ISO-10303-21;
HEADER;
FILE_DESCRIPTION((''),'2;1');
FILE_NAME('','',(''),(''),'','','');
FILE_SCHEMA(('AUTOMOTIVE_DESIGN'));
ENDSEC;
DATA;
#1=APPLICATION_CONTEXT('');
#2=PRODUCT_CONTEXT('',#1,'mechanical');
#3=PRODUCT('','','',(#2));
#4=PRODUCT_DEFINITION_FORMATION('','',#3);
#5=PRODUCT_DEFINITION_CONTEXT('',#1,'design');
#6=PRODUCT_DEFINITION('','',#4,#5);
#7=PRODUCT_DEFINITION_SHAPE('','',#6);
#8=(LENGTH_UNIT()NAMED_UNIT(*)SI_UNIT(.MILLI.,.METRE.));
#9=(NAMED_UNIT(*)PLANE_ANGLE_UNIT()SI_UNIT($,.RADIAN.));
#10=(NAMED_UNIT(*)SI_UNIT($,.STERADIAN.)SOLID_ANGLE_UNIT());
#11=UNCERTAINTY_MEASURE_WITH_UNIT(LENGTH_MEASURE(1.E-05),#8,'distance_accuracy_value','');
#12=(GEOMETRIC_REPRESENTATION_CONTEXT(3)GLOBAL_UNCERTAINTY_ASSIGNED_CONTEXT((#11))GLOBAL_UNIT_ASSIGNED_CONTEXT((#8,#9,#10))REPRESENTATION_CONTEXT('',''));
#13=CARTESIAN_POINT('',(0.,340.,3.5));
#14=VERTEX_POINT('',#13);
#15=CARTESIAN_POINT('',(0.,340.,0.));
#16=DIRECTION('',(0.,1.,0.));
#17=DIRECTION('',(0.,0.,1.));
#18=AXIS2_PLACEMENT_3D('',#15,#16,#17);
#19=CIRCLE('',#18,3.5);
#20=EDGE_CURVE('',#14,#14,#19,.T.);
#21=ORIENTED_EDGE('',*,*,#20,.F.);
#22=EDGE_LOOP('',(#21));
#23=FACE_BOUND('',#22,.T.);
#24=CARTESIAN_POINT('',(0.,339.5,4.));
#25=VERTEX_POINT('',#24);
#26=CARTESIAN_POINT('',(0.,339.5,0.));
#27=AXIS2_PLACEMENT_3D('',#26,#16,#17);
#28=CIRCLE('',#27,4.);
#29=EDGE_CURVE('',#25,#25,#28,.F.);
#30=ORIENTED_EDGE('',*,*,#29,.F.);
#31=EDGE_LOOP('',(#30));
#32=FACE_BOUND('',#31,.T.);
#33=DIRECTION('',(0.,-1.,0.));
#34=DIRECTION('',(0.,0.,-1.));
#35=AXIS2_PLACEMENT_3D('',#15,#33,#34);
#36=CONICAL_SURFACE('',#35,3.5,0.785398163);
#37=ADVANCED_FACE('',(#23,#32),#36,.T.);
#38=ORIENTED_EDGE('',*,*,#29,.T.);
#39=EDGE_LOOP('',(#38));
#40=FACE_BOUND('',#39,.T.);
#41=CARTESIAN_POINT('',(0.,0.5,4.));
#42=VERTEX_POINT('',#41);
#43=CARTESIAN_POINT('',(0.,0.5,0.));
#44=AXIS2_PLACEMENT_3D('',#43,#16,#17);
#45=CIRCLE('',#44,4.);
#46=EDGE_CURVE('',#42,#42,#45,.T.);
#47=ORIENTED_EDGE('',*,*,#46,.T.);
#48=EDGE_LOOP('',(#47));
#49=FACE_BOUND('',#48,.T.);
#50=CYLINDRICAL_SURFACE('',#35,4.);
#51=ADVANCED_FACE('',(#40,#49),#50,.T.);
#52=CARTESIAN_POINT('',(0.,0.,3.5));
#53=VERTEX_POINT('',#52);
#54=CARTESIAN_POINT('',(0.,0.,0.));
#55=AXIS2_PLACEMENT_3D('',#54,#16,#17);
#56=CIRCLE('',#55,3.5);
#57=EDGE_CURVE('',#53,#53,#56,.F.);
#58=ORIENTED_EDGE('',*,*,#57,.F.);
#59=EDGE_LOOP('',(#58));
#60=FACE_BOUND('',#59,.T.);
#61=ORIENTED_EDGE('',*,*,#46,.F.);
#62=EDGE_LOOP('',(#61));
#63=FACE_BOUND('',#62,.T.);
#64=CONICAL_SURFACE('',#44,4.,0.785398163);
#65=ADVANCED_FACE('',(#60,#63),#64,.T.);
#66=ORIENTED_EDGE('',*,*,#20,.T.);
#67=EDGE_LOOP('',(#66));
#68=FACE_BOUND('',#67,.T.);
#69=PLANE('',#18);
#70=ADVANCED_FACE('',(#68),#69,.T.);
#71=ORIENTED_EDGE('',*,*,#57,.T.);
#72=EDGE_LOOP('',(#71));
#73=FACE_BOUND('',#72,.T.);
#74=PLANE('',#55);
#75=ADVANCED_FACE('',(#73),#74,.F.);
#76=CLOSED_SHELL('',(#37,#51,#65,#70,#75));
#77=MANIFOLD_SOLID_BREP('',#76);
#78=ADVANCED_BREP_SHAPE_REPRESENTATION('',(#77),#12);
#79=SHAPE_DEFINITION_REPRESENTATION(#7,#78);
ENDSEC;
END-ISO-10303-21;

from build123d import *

# Parameters (mm, degrees)
SKETCH1_R      = 4
EXTRUDE1_DEPTH = 340
CHAMFER1_SIZE  = 0.5


with BuildPart() as part:
    # Sketch1 → Extrude1 (new body)
    with BuildSketch(Plane(origin=(0, 0, 0), x_dir=(1, 0, 0), z_dir=(0, 1, 0))):
        with Locations(Location((0, 0, 0), (0, 0, 270))):
            Circle(SKETCH1_R)
    extrude(amount=EXTRUDE1_DEPTH)

    # Chamfer1
    chamfer1_edges = [part.edges().sort_by_distance(p)[0] for p in [
        (0, 0, -4),
        (0, 340, -4),
    ]]
    chamfer(chamfer1_edges, length=CHAMFER1_SIZE)


solid = part.part
